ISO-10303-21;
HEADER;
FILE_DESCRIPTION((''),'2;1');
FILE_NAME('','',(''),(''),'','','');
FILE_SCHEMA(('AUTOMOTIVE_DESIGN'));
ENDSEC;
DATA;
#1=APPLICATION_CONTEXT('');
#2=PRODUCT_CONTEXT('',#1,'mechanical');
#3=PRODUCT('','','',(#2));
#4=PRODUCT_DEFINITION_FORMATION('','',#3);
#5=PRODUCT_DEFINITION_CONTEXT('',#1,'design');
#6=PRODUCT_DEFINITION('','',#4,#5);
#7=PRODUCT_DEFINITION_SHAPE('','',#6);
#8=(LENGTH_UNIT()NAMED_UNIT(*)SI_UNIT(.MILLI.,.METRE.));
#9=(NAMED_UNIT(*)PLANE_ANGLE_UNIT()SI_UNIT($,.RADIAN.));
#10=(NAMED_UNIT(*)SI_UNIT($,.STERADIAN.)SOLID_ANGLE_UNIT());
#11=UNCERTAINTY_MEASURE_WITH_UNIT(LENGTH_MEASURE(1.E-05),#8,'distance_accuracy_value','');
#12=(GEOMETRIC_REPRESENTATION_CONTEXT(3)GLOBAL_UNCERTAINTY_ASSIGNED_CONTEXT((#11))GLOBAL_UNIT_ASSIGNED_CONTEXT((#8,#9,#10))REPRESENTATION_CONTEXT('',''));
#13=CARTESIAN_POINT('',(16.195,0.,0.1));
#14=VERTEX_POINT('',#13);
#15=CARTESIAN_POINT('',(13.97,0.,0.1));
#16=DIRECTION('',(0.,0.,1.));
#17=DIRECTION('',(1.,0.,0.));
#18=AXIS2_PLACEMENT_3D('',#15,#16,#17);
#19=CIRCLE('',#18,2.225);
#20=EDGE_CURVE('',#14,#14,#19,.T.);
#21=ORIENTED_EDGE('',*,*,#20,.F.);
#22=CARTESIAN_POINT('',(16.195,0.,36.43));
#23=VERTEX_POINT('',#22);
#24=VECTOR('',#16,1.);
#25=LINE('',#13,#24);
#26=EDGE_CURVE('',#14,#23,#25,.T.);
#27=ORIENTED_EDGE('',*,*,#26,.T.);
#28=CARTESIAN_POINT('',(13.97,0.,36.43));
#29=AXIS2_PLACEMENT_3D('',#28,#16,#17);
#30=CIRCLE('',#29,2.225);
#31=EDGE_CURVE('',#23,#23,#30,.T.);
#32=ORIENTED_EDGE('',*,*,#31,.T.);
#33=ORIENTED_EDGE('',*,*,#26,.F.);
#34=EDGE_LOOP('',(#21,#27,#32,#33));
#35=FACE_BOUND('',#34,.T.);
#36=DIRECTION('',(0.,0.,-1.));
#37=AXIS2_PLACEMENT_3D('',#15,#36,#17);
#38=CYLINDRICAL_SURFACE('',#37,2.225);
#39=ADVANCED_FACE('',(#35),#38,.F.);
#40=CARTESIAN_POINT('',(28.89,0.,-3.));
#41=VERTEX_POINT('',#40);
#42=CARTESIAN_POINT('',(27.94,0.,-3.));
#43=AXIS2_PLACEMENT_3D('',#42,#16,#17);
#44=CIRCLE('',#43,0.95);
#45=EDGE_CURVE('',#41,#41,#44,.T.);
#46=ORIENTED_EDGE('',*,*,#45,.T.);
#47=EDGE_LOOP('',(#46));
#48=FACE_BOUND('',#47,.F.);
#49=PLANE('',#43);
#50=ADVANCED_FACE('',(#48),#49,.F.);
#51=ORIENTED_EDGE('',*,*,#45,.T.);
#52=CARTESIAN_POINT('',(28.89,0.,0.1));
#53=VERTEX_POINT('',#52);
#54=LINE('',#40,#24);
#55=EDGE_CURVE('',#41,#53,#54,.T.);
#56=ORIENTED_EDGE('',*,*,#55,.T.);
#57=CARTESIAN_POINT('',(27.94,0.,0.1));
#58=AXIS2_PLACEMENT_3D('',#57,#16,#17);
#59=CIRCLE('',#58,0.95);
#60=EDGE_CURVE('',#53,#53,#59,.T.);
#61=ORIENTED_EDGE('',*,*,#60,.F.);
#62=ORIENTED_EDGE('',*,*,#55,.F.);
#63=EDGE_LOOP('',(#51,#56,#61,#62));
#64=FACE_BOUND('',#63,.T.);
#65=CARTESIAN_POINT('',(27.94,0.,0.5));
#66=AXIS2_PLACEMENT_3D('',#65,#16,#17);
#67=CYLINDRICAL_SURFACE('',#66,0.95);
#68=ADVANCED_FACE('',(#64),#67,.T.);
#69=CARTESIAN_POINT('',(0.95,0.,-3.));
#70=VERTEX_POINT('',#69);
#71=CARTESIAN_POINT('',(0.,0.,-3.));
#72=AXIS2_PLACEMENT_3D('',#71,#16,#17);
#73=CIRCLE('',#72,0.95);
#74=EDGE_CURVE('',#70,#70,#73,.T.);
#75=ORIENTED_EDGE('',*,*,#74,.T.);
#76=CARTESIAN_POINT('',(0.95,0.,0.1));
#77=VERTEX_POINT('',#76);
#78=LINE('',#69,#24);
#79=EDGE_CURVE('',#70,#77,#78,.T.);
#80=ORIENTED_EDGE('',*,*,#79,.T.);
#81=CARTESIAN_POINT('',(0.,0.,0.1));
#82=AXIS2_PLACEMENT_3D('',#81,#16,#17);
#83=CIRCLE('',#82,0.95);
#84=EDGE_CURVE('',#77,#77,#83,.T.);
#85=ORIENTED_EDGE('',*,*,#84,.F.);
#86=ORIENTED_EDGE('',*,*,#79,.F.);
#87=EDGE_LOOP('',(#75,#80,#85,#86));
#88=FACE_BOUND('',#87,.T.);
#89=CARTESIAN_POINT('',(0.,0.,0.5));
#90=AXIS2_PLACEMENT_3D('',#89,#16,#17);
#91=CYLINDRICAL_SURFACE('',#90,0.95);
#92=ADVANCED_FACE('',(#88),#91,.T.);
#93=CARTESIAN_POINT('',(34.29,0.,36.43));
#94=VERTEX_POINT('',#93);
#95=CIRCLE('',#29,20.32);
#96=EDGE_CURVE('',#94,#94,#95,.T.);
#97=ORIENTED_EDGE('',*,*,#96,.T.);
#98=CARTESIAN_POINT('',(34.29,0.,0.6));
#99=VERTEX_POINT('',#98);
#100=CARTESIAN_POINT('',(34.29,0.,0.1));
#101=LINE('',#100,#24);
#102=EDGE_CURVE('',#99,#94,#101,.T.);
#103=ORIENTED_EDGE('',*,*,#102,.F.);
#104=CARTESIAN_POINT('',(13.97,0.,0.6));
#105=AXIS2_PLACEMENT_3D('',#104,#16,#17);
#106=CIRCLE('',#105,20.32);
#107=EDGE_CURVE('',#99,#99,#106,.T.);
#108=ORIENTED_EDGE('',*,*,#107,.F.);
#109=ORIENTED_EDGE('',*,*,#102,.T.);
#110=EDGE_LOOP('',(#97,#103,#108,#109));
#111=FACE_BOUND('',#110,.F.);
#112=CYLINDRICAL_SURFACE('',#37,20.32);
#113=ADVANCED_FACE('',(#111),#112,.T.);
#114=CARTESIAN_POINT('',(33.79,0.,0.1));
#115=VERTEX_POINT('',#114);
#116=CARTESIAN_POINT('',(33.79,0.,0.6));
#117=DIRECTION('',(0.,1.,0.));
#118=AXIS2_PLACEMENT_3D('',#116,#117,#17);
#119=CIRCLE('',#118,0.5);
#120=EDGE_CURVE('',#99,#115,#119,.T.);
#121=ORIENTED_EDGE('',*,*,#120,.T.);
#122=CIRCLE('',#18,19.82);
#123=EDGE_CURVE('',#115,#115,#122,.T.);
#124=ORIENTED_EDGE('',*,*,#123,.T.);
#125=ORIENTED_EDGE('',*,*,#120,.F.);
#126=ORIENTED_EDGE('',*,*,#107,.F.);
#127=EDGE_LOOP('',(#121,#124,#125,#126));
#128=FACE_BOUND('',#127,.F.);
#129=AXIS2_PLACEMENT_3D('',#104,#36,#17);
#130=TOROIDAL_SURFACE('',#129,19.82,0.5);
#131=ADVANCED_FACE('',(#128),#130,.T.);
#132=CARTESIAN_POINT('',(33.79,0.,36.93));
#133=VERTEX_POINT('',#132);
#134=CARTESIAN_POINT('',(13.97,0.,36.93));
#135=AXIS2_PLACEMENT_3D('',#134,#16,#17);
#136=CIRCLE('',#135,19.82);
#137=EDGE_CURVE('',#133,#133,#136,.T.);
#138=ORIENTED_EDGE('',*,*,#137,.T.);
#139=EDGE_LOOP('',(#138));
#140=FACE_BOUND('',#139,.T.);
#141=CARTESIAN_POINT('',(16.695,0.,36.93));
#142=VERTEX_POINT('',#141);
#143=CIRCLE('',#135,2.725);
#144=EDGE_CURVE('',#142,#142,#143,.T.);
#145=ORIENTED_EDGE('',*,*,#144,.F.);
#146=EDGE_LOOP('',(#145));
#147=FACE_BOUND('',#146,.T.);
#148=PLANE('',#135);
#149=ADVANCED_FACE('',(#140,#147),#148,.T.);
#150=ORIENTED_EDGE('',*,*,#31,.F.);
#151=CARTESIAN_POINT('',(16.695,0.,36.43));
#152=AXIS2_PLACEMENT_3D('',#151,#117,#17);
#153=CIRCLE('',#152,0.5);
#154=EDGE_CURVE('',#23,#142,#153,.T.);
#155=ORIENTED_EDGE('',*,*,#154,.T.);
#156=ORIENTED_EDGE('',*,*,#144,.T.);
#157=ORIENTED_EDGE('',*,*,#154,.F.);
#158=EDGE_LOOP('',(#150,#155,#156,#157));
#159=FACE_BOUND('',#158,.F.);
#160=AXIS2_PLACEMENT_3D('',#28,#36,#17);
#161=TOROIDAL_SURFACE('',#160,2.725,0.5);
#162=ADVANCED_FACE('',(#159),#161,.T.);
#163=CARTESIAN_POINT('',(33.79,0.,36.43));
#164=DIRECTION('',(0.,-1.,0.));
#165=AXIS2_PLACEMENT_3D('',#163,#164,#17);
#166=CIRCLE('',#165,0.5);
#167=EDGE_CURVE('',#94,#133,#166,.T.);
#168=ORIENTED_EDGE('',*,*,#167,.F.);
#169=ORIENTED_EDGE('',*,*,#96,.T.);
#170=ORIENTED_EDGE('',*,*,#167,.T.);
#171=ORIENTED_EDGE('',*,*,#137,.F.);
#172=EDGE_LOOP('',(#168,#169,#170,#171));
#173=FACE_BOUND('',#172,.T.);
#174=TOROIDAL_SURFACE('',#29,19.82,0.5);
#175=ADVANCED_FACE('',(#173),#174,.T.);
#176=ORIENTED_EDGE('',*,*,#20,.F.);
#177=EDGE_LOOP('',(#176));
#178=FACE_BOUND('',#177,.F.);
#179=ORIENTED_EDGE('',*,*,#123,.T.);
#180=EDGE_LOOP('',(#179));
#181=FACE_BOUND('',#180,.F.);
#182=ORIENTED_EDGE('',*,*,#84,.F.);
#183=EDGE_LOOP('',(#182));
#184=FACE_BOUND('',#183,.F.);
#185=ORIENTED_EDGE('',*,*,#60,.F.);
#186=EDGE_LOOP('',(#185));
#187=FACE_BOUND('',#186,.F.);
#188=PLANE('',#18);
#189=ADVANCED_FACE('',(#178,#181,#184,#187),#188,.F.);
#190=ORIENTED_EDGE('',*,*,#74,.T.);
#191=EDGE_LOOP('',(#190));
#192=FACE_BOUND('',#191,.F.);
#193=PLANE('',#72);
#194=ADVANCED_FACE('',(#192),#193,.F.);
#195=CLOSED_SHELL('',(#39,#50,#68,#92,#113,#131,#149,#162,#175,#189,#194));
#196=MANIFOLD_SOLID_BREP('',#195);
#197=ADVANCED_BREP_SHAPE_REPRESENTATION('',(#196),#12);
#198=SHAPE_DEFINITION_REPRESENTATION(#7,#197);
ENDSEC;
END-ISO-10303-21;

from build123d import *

# Parameters (mm, degrees)
SKETCH001_R       = 0.95
PAD001_DEPTH      = 18.415
PAD001_DEPTH_BACK = 3.5
SKETCH_R          = 20.32
SKETCH_R_2        = 2.225
PAD_DEPTH         = 36.83
FILLET_R          = 0.5


with BuildPart() as pad001:
    # Sketch001 → Pad001 (new body, two sides)
    with BuildSketch(Plane.XY.offset(0.5)) as pad001_sk:
        Circle(SKETCH001_R)
        with Locations((27.94, 0)):
            Circle(SKETCH001_R)
    extrude(amount=PAD001_DEPTH)
    extrude(pad001_sk.sketch, amount=-PAD001_DEPTH_BACK)


with BuildPart() as fillet_mp_cp:
    # Sketch → Pad (new body)
    with BuildSketch(Plane.XY.offset(0.1)):
        with Locations((13.97, 0)):
            Circle(SKETCH_R)
        with Locations((13.97, 0)):
            Circle(SKETCH_R_2, mode=Mode.SUBTRACT)
    extrude(amount=PAD_DEPTH)

    # Fillet
    fillet_edges = [fillet_mp_cp.edges().sort_by_distance(p)[0] for p in [
        (11.745, 0, 36.93),
        (-6.35, 0, 36.93),
        (-6.35, 0, 0.1),
    ]]
    fillet(fillet_edges, radius=FILLET_R)

    # Fillet_mp_cp: union Pad001
    add(pad001.part)


solid = fillet_mp_cp.part
